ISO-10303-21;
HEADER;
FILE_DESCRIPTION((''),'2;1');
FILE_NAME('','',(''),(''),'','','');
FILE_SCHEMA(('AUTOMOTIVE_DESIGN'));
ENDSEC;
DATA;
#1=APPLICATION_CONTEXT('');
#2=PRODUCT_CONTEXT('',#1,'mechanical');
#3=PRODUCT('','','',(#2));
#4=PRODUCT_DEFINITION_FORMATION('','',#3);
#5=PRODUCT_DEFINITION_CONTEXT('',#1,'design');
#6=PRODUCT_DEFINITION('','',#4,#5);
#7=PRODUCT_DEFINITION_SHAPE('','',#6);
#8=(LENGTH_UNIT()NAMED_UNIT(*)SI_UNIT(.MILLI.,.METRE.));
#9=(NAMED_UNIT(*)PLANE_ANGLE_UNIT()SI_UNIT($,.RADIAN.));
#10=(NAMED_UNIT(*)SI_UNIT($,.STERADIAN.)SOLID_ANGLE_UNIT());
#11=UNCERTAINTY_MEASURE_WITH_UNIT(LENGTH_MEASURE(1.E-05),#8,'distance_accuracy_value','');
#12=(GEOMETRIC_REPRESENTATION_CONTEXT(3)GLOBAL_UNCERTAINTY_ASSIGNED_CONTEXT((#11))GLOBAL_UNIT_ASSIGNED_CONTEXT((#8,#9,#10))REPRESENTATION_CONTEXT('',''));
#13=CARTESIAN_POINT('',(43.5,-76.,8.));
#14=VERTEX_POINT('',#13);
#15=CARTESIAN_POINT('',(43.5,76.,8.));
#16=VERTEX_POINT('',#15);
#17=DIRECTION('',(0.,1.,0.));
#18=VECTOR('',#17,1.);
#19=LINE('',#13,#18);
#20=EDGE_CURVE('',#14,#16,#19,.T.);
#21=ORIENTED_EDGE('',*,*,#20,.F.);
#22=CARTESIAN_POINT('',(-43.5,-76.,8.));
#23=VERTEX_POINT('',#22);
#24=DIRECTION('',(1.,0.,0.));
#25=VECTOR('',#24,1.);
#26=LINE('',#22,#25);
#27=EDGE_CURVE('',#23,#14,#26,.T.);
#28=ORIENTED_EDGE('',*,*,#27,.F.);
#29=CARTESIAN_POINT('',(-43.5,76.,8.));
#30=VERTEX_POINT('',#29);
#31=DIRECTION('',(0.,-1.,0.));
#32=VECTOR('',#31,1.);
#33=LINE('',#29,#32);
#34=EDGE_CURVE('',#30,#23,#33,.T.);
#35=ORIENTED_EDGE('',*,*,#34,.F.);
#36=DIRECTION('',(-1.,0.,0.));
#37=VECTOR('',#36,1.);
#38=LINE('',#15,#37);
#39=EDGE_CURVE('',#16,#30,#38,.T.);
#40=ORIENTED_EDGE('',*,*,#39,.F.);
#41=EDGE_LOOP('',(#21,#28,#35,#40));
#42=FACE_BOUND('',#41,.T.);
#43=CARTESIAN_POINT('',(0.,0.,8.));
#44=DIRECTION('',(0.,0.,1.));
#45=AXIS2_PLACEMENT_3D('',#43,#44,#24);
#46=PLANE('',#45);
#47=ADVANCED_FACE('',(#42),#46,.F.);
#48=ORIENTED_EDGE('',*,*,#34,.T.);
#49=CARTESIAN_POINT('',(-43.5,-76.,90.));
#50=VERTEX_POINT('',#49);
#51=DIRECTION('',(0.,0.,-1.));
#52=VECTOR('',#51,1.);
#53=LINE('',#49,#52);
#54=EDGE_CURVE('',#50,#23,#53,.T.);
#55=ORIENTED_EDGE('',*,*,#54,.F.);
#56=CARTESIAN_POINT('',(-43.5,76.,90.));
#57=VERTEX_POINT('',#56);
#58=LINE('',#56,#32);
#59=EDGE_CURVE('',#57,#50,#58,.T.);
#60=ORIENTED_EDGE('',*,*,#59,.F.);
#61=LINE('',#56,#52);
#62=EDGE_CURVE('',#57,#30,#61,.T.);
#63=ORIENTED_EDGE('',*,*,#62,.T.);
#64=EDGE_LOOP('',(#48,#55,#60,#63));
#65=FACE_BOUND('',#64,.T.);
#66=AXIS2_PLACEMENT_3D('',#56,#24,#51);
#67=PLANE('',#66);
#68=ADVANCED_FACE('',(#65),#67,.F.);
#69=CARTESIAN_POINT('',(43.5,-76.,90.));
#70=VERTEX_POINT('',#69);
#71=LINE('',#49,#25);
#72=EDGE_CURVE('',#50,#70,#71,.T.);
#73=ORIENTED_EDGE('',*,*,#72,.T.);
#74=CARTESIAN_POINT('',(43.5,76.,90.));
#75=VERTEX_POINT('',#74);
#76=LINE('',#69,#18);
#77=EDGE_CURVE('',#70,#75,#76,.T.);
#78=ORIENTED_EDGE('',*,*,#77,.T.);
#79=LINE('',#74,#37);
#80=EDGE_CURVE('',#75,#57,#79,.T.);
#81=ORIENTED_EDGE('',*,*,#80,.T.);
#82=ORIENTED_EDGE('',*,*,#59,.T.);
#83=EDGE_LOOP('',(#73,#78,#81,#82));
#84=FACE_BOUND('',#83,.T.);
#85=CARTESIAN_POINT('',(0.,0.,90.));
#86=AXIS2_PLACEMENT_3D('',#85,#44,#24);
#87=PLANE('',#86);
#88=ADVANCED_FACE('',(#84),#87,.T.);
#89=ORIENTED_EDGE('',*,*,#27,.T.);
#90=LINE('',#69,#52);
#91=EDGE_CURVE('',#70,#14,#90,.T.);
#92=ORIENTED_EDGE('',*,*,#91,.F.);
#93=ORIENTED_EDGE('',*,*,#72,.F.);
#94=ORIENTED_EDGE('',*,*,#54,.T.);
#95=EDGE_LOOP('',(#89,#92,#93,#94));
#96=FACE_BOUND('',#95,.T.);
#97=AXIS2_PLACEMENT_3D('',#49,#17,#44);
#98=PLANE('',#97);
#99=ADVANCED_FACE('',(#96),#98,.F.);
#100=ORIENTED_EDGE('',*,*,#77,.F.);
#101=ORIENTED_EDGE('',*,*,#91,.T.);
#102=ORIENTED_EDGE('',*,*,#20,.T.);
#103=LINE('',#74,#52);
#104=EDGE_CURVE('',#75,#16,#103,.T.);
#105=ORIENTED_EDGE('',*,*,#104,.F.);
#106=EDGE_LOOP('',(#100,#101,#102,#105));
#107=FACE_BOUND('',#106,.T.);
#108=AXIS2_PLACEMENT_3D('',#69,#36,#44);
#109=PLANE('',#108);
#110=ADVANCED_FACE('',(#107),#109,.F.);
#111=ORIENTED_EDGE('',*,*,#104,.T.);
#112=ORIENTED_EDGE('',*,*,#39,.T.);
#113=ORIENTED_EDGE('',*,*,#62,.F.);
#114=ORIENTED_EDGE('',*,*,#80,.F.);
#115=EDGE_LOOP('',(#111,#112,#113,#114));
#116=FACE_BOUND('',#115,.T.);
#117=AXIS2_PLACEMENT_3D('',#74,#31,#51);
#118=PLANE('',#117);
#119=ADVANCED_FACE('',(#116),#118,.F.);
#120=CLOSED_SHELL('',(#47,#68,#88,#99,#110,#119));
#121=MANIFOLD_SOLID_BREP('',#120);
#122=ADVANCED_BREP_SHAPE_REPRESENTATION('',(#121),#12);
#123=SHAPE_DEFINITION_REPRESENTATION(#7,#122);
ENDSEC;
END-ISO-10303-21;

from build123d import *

# Parameters (mm, degrees)
SK_BOX_0_W  = 87
SK_BOX_0_H  = 152
BOX_0_DEPTH = 82


with BuildPart() as part:
    # SK_Box_0 → Box_0 (new body)
    with BuildSketch(Plane.XY.offset(8)):
        Rectangle(SK_BOX_0_W, SK_BOX_0_H)
    extrude(amount=BOX_0_DEPTH)


solid = part.part
